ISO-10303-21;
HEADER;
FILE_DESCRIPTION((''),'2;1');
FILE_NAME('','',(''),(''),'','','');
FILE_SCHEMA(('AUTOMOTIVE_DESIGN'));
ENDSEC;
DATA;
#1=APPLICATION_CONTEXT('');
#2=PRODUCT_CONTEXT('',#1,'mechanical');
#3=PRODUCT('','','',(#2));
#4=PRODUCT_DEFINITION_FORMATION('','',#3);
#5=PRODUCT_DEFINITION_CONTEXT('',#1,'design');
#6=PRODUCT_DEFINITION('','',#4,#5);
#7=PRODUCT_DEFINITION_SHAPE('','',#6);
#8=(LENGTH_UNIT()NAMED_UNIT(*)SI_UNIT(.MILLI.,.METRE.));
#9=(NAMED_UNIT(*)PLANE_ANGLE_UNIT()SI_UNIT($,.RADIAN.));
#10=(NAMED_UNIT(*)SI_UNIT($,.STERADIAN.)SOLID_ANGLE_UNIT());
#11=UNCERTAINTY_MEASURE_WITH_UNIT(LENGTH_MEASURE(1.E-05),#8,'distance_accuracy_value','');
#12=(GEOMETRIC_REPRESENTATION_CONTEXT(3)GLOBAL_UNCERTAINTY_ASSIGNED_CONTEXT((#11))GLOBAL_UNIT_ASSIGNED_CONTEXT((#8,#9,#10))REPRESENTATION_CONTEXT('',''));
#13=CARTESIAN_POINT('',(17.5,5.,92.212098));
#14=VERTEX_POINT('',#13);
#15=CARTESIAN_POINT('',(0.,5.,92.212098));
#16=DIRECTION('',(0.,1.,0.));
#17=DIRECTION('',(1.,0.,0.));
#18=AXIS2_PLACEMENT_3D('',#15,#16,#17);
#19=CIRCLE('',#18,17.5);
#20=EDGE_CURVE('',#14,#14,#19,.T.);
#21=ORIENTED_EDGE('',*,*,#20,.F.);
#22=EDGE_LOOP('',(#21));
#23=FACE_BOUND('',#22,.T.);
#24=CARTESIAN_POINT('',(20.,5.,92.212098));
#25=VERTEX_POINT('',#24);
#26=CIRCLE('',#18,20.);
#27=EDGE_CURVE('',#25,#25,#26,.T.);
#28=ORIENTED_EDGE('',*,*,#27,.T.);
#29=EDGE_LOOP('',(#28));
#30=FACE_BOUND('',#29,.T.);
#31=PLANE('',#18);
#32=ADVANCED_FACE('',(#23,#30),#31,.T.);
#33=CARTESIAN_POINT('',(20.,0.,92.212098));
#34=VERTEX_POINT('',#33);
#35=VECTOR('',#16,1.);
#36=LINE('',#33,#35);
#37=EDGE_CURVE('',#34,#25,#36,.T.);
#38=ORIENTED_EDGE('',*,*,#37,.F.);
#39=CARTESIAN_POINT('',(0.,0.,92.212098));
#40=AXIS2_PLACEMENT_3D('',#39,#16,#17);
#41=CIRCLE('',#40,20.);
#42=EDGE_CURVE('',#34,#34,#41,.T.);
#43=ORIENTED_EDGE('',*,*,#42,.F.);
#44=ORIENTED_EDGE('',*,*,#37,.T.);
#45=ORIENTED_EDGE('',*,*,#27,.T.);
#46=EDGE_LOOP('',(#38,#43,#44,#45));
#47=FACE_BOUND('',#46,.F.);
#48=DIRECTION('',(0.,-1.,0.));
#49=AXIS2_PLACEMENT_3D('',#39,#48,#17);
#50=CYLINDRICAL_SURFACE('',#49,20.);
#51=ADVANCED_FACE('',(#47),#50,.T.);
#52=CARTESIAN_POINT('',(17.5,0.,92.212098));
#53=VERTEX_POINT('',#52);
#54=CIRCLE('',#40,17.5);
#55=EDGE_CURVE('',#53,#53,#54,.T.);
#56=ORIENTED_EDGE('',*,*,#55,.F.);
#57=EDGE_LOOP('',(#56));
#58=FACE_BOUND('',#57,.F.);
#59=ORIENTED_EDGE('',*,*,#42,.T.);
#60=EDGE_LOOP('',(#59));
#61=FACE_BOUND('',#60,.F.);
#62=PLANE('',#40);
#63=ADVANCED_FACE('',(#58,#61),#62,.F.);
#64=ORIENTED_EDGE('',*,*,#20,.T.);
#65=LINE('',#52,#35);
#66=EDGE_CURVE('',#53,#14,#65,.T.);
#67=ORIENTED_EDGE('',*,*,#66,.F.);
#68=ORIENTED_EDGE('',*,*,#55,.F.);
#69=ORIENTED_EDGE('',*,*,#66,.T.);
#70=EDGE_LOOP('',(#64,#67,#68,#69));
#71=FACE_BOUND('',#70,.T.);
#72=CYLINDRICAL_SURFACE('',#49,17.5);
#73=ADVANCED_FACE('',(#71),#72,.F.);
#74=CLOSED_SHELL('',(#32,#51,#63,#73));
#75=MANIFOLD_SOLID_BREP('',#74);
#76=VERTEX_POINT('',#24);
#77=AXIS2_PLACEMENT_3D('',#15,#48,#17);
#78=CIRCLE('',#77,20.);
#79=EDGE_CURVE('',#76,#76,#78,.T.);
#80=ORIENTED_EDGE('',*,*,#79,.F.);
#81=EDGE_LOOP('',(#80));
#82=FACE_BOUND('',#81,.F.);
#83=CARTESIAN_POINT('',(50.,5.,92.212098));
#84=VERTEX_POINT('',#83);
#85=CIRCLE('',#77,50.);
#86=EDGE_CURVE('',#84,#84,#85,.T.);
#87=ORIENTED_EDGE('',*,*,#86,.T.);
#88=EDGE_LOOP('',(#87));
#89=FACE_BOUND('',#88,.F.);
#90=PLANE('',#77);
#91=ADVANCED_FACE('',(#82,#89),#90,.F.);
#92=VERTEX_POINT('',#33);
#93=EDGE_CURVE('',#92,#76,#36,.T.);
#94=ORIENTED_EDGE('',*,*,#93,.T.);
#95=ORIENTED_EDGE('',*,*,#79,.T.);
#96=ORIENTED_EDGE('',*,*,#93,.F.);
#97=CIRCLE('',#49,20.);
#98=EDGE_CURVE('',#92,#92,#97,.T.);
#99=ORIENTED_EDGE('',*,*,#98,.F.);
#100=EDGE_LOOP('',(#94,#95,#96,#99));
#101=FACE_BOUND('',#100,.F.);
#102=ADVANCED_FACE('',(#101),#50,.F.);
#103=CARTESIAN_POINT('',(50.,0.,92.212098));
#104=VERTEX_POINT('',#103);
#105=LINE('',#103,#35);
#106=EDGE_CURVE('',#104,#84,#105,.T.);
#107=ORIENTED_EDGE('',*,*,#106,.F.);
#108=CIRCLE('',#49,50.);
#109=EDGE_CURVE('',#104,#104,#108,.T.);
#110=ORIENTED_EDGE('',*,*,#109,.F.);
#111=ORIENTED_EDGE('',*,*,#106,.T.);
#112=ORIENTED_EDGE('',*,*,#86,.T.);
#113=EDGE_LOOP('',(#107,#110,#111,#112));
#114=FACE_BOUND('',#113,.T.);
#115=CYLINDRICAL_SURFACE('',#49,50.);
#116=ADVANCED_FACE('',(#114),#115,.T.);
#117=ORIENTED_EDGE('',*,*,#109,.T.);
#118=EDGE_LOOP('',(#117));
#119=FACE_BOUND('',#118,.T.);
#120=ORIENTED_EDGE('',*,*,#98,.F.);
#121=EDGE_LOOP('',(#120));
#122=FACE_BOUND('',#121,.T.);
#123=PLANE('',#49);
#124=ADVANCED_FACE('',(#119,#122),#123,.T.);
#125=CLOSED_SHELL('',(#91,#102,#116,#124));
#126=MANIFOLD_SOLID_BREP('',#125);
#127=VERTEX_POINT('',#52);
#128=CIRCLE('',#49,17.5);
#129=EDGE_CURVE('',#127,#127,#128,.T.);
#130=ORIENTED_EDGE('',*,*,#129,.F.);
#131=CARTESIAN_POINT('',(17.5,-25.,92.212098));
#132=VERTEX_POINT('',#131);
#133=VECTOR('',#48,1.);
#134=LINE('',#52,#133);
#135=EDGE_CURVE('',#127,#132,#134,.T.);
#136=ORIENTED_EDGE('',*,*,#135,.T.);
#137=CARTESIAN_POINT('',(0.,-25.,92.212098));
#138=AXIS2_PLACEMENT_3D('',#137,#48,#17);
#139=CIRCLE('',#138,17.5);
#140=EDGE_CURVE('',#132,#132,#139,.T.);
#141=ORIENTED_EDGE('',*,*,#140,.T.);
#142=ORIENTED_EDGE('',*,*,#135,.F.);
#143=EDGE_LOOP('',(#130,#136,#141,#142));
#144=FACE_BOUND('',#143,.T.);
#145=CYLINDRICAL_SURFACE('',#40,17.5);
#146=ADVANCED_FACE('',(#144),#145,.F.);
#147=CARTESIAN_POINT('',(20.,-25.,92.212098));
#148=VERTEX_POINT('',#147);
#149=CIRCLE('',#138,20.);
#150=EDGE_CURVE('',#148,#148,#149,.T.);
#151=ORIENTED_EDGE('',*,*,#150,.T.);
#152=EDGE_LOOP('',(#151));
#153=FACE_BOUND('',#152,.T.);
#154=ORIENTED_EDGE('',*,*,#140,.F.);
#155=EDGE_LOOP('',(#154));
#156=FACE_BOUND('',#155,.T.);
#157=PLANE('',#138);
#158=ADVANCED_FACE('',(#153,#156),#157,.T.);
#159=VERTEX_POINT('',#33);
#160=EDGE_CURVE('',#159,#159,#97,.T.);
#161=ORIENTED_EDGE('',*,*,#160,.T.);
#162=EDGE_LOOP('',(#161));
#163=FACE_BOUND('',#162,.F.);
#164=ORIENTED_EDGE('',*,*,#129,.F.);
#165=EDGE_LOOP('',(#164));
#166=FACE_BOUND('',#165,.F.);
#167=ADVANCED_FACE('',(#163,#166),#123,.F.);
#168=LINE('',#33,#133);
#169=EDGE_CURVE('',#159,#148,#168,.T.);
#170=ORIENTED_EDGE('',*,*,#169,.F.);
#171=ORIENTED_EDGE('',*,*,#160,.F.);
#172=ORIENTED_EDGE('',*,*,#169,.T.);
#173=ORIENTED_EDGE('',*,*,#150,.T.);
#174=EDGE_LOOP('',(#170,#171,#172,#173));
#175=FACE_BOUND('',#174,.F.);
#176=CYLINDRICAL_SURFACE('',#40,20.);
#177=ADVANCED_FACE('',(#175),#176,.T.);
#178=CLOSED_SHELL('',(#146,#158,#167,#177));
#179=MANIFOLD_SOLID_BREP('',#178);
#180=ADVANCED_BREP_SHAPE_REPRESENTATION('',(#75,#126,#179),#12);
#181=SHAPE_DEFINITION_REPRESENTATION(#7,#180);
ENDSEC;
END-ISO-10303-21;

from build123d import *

# Parameters (mm, degrees)
F0_R        = 20
F0_R_2      = 17.5
F1_DEPTH    = 25
F0_R_3      = 50
F2_DEPTH    = 5
F1_FACE_R   = 20
F1_FACE_R_2 = 17.5
F3_DEPTH    = 5


with BuildPart() as f1:
    # F0 (on Front) → F1 (new body)
    with BuildSketch(Plane.XZ):
        with Locations((0, 92.212098)):
            Circle(F0_R)
        with Locations((0, 92.212098)):
            Circle(F0_R_2, mode=Mode.SUBTRACT)
    extrude(amount=F1_DEPTH)


with BuildPart() as f2:
    # F0 (on Front) → F2 (new body)
    with BuildSketch(Plane.XZ):
        with Locations((0, 92.212098)):
            Circle(F0_R_3)
        with Locations((0, 92.212098)):
            Circle(F0_R, mode=Mode.SUBTRACT)
    extrude(amount=-F2_DEPTH)


with BuildPart() as f3:
    # F1_face (on face) → F3 (new body)
    with BuildSketch(Plane(origin=(0, 0, 92.212098), x_dir=(1, 0, 0), z_dir=(0, 1, 0))):
        Circle(F1_FACE_R)
        Circle(F1_FACE_R_2, mode=Mode.SUBTRACT)
    extrude(amount=F3_DEPTH)


solid = Compound([f1.part, f2.part, f3.part])
